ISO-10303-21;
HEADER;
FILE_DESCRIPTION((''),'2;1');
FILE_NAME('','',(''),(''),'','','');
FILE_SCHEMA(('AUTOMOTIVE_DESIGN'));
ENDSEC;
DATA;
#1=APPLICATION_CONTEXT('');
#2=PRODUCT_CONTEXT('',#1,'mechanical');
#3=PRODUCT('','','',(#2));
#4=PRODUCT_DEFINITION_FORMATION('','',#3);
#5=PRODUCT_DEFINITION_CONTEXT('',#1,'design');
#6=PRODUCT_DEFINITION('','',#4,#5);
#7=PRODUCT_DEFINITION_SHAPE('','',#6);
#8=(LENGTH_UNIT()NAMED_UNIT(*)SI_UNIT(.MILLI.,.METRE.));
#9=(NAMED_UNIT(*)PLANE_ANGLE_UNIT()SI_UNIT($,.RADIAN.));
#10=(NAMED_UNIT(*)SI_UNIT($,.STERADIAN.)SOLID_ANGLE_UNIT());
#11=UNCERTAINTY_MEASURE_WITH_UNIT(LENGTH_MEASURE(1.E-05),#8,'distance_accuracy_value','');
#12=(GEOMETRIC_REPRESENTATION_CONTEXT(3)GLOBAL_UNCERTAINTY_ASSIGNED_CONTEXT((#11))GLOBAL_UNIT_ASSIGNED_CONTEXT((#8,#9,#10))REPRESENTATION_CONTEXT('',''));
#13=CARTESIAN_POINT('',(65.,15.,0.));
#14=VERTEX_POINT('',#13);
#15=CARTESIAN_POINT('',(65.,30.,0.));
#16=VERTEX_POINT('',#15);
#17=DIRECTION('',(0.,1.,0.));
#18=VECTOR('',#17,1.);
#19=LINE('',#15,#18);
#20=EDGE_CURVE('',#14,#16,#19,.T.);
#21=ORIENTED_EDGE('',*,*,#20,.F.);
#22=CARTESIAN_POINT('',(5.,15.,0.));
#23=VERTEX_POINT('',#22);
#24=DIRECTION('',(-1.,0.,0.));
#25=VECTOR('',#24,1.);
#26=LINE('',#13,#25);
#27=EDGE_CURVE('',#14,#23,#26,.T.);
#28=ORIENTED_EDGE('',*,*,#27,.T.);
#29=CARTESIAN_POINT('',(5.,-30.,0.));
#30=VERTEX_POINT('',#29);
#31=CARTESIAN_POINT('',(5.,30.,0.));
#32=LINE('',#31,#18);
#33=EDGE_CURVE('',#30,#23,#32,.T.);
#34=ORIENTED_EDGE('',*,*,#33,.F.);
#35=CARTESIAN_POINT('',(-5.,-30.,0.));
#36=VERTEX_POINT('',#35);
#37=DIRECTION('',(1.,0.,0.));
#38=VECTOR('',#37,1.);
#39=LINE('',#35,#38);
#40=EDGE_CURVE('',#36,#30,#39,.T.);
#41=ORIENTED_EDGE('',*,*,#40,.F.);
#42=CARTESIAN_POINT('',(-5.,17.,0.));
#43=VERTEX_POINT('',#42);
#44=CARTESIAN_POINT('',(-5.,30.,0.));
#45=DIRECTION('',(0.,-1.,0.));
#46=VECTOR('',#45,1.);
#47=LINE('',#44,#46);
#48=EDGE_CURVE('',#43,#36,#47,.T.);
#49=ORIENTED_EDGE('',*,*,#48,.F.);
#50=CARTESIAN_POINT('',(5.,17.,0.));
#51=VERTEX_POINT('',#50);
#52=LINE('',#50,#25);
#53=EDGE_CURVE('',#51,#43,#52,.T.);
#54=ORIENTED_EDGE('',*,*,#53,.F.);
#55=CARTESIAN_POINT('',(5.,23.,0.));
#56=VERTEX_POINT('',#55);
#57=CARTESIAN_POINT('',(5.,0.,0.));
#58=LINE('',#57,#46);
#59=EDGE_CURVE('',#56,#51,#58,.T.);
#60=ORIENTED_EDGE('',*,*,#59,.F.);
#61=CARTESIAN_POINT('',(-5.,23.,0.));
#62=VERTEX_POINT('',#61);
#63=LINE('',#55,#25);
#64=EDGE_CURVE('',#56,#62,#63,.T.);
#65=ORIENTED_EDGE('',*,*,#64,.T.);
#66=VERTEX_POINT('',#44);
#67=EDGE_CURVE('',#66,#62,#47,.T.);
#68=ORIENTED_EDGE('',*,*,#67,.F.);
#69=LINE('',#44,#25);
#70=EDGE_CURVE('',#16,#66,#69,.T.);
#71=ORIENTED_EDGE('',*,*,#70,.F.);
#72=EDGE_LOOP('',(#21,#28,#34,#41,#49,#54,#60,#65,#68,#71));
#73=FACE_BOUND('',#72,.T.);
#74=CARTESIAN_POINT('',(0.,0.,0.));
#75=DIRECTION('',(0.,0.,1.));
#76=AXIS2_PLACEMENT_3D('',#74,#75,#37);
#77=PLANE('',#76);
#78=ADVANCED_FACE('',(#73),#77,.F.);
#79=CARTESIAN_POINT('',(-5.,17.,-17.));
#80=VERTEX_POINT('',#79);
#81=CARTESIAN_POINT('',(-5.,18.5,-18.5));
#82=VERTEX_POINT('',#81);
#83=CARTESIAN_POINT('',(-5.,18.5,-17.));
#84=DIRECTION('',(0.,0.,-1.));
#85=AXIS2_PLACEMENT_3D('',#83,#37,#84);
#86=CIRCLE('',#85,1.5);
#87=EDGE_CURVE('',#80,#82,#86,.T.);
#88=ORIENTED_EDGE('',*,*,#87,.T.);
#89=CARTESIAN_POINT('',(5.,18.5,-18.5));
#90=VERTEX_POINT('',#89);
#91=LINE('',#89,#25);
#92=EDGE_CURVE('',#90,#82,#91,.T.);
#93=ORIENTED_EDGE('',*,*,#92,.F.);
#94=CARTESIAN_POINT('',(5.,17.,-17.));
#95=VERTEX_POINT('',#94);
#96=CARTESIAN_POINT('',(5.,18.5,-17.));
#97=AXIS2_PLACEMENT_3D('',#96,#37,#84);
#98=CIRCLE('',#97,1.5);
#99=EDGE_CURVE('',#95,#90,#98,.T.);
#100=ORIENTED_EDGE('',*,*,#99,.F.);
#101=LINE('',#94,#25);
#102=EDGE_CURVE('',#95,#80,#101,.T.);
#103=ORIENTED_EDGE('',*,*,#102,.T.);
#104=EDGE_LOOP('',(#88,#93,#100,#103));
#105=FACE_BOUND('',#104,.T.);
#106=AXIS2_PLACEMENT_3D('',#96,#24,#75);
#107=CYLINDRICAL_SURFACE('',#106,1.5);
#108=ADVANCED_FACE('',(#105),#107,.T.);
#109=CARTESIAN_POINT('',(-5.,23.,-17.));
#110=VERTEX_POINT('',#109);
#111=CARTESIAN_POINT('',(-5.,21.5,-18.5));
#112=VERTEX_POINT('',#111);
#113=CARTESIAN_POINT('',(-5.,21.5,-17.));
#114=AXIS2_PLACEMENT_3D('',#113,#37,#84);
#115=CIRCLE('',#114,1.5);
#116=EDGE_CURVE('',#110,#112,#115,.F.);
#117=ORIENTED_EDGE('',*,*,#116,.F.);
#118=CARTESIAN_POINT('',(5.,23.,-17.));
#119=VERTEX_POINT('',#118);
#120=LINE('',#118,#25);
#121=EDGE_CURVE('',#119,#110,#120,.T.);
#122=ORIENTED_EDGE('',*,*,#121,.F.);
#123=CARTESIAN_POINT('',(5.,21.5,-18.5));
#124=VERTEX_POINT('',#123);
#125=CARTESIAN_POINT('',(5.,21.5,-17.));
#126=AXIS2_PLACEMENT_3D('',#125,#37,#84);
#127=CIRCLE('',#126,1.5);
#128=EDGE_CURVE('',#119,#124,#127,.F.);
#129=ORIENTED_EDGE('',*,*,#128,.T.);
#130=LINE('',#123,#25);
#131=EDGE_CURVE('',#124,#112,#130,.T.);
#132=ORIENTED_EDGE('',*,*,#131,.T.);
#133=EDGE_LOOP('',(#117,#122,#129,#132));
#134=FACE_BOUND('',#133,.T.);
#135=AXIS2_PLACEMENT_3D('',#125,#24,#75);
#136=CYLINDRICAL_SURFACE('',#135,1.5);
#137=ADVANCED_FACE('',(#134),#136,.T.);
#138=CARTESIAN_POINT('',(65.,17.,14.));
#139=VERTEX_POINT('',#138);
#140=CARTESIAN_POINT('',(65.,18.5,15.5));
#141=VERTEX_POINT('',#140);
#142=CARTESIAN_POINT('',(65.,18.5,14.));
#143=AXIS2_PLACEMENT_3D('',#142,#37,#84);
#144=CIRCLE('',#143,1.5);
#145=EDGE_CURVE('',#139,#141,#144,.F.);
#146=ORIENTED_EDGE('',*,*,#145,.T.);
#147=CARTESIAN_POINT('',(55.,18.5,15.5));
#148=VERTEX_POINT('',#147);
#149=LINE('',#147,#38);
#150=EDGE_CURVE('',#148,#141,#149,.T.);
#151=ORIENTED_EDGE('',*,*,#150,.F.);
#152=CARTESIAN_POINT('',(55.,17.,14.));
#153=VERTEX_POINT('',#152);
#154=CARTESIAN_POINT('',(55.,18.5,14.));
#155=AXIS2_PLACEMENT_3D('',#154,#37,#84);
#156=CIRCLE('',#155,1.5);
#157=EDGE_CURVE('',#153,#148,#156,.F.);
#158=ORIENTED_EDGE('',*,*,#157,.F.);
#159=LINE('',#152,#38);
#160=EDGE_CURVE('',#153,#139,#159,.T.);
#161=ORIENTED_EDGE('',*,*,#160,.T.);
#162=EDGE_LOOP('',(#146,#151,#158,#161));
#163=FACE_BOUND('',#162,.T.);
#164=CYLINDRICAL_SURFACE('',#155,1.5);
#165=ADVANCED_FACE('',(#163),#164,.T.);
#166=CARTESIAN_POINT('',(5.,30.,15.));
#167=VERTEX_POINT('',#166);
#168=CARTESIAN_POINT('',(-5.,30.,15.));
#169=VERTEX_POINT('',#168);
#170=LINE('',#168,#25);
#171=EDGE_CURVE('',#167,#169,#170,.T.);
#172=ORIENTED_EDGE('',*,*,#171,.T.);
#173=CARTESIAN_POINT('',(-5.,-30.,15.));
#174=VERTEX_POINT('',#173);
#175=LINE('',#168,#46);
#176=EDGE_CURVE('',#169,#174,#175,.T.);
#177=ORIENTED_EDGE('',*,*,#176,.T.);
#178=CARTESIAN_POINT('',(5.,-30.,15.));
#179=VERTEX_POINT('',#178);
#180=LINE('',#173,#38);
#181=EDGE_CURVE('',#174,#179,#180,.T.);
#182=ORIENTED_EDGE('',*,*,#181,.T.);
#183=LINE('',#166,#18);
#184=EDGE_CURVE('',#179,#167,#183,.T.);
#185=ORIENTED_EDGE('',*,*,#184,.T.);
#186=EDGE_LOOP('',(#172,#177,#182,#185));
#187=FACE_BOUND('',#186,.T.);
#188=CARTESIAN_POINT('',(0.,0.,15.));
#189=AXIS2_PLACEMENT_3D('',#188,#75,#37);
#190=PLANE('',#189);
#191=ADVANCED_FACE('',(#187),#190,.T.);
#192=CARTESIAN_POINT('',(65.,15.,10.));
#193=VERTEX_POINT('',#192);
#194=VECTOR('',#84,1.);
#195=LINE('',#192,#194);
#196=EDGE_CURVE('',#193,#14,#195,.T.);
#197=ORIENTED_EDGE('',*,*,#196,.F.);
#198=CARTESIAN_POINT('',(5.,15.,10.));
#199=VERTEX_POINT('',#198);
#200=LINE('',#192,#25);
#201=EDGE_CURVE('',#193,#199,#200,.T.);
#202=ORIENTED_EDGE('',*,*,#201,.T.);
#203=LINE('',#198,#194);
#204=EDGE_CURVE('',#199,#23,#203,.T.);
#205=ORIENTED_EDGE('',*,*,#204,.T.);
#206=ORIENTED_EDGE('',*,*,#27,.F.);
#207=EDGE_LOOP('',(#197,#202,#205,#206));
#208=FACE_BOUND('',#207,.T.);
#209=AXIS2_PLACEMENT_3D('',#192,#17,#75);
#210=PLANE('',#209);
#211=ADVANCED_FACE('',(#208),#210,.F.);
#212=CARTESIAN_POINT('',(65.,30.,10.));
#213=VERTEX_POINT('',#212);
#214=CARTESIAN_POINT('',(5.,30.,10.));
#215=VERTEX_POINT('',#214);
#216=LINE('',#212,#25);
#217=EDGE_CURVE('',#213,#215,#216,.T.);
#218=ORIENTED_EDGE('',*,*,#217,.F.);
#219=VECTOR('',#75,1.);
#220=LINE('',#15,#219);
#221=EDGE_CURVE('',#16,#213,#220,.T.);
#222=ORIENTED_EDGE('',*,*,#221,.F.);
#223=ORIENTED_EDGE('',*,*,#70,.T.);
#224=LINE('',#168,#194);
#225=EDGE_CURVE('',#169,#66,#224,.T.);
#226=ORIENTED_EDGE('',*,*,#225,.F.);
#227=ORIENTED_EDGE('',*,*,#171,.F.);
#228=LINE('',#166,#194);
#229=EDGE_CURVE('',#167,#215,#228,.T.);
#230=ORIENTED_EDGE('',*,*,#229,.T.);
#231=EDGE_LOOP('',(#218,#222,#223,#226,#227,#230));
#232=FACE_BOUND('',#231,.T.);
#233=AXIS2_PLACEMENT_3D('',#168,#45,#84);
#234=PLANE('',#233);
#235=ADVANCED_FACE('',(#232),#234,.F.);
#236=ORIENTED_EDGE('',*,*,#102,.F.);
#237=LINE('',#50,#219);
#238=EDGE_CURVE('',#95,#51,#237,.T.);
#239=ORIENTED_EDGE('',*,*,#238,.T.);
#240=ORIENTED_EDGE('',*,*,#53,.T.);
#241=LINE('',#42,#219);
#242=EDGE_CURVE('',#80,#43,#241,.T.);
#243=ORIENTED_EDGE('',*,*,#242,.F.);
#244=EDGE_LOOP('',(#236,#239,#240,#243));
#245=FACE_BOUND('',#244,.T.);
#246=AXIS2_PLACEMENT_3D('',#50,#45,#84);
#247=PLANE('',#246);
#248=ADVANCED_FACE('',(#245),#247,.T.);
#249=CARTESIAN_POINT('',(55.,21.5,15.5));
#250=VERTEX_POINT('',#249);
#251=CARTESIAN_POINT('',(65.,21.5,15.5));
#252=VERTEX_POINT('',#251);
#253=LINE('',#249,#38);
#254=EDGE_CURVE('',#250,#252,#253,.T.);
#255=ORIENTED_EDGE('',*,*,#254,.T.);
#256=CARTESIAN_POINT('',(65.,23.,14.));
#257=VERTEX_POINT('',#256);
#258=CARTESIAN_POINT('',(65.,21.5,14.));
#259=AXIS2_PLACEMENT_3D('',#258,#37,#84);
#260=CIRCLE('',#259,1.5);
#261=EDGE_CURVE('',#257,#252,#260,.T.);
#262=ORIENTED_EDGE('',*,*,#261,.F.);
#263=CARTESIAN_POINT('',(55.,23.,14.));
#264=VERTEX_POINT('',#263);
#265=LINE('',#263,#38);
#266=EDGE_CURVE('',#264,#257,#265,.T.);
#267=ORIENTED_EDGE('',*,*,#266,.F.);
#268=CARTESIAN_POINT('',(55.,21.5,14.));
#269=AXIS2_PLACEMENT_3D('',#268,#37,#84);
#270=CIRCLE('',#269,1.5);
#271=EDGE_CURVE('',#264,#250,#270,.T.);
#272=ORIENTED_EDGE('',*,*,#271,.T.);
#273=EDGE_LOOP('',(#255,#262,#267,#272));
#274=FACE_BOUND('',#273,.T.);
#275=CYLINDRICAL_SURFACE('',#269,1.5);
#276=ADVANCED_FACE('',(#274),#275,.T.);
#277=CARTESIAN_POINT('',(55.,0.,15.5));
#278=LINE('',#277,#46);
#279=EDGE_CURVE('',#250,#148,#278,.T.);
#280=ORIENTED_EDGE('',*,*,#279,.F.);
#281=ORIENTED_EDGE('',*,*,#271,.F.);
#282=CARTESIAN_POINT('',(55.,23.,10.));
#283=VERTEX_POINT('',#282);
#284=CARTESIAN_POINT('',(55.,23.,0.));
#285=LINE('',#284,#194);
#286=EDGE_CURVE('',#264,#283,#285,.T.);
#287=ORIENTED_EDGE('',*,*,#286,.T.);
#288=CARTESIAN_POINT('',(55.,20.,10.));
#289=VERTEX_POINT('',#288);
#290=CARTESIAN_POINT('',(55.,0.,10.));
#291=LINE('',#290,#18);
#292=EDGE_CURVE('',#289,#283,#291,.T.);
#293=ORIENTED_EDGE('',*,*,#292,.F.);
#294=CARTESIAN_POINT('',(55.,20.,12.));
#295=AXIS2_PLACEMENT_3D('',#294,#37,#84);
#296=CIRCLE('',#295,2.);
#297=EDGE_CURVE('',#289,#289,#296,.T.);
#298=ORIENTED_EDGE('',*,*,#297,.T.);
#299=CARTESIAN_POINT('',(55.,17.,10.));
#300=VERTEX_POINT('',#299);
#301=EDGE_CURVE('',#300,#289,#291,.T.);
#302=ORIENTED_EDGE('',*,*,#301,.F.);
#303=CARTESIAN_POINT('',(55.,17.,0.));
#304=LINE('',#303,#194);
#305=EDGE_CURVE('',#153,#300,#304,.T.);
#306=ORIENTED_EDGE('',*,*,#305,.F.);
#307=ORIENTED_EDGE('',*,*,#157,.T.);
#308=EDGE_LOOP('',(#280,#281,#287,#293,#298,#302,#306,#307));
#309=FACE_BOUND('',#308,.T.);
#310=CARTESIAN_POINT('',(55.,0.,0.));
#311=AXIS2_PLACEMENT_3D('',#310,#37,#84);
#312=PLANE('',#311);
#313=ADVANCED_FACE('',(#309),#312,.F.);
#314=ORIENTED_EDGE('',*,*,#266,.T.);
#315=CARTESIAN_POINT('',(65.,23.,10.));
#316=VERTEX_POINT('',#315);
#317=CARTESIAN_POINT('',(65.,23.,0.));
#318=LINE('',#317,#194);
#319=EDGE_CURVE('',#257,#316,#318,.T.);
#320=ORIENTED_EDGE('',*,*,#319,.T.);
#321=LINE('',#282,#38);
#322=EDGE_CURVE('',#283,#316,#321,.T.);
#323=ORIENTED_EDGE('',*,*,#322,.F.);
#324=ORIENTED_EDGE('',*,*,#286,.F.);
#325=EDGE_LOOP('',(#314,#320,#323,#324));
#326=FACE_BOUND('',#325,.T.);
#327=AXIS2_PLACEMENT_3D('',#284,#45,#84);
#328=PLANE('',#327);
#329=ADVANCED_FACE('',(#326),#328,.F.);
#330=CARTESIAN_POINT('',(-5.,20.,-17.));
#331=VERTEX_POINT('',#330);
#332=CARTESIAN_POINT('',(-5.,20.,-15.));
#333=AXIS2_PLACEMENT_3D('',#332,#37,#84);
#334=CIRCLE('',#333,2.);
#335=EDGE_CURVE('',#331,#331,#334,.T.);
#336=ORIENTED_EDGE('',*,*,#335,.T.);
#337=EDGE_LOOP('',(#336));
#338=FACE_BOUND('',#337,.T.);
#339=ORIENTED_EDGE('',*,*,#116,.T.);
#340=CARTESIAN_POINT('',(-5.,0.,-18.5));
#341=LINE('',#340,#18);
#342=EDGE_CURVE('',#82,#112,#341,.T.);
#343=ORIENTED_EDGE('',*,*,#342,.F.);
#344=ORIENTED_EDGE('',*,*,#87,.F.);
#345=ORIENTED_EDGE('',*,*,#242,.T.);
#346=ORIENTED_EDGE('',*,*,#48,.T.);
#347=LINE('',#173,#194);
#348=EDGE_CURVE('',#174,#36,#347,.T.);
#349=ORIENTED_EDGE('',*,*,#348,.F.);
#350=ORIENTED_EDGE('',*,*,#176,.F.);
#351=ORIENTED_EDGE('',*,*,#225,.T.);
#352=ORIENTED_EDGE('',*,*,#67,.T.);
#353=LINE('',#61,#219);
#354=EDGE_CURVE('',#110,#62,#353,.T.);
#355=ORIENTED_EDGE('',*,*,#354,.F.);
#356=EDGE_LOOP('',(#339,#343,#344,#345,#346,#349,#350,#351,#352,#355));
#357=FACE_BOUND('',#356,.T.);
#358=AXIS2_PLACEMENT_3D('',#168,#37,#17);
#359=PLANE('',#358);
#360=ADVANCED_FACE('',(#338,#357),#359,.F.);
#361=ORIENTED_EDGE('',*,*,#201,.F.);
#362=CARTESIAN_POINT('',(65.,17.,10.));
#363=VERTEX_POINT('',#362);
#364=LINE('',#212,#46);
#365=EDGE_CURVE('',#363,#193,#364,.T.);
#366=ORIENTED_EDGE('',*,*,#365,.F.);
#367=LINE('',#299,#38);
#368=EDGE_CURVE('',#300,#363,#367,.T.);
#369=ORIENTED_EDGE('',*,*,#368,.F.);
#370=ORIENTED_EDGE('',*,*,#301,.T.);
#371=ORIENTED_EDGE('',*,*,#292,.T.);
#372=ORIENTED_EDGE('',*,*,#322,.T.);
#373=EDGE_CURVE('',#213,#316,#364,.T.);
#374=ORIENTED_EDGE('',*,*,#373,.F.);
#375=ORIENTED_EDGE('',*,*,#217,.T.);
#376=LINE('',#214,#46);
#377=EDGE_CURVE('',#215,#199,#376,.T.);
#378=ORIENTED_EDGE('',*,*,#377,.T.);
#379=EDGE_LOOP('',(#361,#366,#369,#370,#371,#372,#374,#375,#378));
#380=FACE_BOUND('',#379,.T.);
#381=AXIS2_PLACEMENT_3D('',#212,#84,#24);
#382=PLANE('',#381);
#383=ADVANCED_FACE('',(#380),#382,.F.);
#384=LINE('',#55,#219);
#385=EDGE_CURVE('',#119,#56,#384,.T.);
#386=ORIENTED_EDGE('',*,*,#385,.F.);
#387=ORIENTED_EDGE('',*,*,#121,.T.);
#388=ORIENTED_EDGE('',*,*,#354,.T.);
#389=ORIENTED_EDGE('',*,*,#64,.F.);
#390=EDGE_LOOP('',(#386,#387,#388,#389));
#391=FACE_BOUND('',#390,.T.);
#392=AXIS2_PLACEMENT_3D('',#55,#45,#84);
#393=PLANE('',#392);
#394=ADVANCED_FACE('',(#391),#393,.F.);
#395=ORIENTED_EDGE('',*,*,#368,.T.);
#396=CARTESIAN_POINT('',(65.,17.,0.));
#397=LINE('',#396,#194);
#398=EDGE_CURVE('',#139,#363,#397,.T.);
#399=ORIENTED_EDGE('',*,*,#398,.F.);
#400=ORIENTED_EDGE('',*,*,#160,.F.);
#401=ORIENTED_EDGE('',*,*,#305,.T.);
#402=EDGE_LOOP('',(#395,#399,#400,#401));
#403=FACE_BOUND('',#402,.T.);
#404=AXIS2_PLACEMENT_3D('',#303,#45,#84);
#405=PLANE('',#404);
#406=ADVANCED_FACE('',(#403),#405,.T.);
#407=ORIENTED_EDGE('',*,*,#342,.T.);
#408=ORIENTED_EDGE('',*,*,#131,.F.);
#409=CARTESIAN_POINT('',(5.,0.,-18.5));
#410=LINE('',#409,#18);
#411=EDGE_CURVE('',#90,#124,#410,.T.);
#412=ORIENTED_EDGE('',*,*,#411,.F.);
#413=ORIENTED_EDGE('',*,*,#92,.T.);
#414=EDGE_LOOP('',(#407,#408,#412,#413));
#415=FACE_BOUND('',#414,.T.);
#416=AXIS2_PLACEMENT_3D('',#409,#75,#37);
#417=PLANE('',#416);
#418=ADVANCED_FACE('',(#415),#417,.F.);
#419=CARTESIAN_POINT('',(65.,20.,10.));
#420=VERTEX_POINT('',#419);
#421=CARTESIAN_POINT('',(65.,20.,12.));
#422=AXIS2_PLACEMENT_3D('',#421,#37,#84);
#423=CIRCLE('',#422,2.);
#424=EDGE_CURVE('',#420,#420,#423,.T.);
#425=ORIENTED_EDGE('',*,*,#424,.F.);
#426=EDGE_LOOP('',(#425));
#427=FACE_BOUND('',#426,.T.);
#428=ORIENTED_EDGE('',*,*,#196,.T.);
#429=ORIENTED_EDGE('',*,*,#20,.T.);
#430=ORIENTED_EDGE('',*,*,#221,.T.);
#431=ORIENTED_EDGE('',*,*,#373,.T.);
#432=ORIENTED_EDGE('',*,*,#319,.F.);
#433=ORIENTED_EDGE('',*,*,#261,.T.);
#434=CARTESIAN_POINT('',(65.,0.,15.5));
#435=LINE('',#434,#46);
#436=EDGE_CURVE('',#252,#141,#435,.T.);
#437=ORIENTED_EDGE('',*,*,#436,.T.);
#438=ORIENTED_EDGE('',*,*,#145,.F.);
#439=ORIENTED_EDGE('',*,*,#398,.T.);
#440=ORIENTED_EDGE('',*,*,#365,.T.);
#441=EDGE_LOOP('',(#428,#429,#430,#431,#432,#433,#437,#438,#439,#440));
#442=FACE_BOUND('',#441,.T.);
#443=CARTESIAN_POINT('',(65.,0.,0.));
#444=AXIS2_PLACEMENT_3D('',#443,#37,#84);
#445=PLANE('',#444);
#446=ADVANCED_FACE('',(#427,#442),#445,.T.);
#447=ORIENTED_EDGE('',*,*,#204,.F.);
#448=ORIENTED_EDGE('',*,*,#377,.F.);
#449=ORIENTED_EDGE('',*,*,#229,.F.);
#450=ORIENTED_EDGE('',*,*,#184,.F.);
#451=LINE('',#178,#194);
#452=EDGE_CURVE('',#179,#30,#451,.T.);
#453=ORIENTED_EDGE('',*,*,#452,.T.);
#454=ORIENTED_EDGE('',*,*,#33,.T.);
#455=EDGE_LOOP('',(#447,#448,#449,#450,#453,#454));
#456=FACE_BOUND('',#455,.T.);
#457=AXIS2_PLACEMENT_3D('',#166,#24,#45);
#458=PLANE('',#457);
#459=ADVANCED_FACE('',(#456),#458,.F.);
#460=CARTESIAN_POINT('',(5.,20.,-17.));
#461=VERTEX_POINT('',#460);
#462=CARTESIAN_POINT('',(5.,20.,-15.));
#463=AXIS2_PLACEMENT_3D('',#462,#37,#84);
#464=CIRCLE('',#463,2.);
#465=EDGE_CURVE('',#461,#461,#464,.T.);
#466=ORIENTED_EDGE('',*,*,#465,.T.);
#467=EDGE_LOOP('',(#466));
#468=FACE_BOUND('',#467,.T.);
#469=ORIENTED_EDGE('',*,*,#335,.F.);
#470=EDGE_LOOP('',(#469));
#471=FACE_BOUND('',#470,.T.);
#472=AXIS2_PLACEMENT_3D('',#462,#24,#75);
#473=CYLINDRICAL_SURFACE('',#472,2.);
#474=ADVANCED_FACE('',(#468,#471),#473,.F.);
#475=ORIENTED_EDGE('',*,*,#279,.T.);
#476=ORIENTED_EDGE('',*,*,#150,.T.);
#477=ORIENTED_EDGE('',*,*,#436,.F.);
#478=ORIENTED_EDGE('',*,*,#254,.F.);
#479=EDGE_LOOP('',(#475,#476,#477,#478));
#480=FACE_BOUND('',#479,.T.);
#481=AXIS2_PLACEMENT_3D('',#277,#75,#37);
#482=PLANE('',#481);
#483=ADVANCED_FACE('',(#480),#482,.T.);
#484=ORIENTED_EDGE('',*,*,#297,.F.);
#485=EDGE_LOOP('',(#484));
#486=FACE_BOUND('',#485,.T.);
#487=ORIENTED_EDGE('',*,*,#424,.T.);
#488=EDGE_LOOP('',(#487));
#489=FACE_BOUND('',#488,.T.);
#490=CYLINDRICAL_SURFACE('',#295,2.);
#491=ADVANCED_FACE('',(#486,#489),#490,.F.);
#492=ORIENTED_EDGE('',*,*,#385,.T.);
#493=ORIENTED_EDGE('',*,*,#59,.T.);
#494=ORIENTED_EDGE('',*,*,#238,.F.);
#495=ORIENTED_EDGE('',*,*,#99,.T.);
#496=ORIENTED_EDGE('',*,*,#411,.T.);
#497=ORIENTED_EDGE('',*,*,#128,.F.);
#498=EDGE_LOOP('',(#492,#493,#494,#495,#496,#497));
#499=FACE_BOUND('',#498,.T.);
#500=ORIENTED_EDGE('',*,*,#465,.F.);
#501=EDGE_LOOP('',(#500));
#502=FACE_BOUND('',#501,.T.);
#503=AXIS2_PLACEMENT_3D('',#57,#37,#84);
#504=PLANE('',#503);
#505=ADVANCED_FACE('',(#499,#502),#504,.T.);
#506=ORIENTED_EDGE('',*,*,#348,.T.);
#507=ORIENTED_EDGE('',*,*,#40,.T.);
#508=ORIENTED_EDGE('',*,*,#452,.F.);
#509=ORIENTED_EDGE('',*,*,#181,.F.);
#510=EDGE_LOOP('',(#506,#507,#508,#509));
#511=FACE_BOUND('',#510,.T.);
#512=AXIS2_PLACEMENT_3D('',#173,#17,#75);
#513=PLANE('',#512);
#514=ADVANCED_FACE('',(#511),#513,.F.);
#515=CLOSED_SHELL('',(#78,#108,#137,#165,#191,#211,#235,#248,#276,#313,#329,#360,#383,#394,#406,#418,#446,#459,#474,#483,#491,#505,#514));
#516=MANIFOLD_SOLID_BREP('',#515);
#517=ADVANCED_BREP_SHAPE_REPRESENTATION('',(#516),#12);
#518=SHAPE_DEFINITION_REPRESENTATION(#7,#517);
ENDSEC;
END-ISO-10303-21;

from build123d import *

# Parameters (mm, degrees)
SKETCH1_W           = 10
SKETCH1_H           = 60
BOSS_EXTRUDE1_DEPTH = 15
SKETCH4_W           = 10
SKETCH4_H           = 15
BOSS_EXTRUDE2_DEPTH = 60
BOSS_EXTRUDE4_DEPTH = 10
SKETCH6_R           = 2
CUT_EXTRUDE1_DEPTH  = 10
SKETCH7_R           = 2
BOSS_EXTRUDE6_DEPTH = 10


with BuildPart() as part:
    # Sketch1 → Boss-Extrude1 (new body)
    with BuildSketch(Plane.XY):
        Rectangle(SKETCH1_W, SKETCH1_H)
    extrude(amount=BOSS_EXTRUDE1_DEPTH)

    # Sketch4 → Boss-Extrude2 (add)
    with BuildSketch(Plane(origin=(5, 0, 0), x_dir=(0, 0, -1), z_dir=(1, 0, 0))):
        with Locations((-5, 22.5)):
            Rectangle(SKETCH4_W, SKETCH4_H)
    extrude(amount=BOSS_EXTRUDE2_DEPTH)

    # Sketch5 → Boss-Extrude4 (add)
    # profile 1 of 5: a face of its own
    with BuildSketch(Plane(origin=(65, 0, 0), x_dir=(0, 0, -1), z_dir=(1, 0, 0))):
        with BuildLine():
            Line((-10, 20), (-10, 23))
            Line((-10, 23), (-14, 23))
            ThreePointArc((-14, 23), (-15.060660172, 22.560660172), (-15.5, 21.5))
            Line((-15.5, 21.5), (-15.5, 18.5))
            ThreePointArc((-15.5, 18.5), (-15.060660172, 17.439339828), (-14, 17))
            Line((-14, 17), (-10, 17))
            Line((-10, 17), (-10, 20))
        make_face()
        with BuildLine():
            ThreePointArc((-14, 20), (-12, 22), (-10, 20))
            ThreePointArc((-10, 20), (-12, 18), (-14, 20))
        make_face(mode=Mode.SUBTRACT)
    # profile 2 of 5: a face of its own
    with BuildSketch(Plane(origin=(65, 0, 0), x_dir=(0, 0, -1), z_dir=(1, 0, 0))):
        with BuildLine():
            ThreePointArc((-14, 20), (-12, 18), (-10, 20))
            Line((-10, 20), (-12, 20))
            Line((-12, 20), (-14, 20))
        make_face()
    # profile 3 of 5: a face of its own
    with BuildSketch(Plane(origin=(65, 0, 0), x_dir=(0, 0, -1), z_dir=(1, 0, 0))):
        with BuildLine():
            Line((-12, 20), (-10, 20))
            ThreePointArc((-10, 20), (-12, 22), (-14, 20))
            Line((-14, 20), (-12, 20))
        make_face()
    # profile 4 of 5: a face of its own
    with BuildSketch(Plane(origin=(65, 0, 0), x_dir=(0, 0, -1), z_dir=(1, 0, 0))):
        with BuildLine():
            ThreePointArc((-14, 20), (-12, 18), (-10, 20))
            Line((-10, 20), (-12, 20))
            Line((-12, 20), (-14, 20))
        make_face()
    # profile 5 of 5: a face of its own
    with BuildSketch(Plane(origin=(65, 0, 0), x_dir=(0, 0, -1), z_dir=(1, 0, 0))):
        with BuildLine():
            Line((-12, 20), (-10, 20))
            ThreePointArc((-10, 20), (-12, 22), (-14, 20))
            Line((-14, 20), (-12, 20))
        make_face()
    extrude(amount=-BOSS_EXTRUDE4_DEPTH)

    # Sketch6 → Cut-Extrude1 (cut)
    with BuildSketch(Plane(origin=(65, 0, 0), x_dir=(0, 0, -1), z_dir=(1, 0, 0))):
        with Locations((-12, 20)):
            Circle(SKETCH6_R)
    extrude(amount=-CUT_EXTRUDE1_DEPTH, mode=Mode.SUBTRACT)

    # Sketch7 → Boss-Extrude6 (add)
    with BuildSketch(Plane(origin=(-5, 0, 0), x_dir=(0, 0, -1), z_dir=(1, 0, 0))):
        with BuildLine():
            Line((10, 23), (0, 23))
            Line((0, 23), (0, 17))
            Line((0, 17), (10, 17))
            Line((10, 17), (17, 17))
            ThreePointArc((17, 17), (18.060660172, 17.439339828), (18.5, 18.5))
            Line((18.5, 18.5), (18.5, 21.5))
            ThreePointArc((18.5, 21.5), (18.060660172, 22.560660172), (17, 23))
            Line((17, 23), (10, 23))
        make_face()
        with Locations((15, 20)):
            Circle(SKETCH7_R, mode=Mode.SUBTRACT)
    extrude(amount=BOSS_EXTRUDE6_DEPTH)


solid = part.part
